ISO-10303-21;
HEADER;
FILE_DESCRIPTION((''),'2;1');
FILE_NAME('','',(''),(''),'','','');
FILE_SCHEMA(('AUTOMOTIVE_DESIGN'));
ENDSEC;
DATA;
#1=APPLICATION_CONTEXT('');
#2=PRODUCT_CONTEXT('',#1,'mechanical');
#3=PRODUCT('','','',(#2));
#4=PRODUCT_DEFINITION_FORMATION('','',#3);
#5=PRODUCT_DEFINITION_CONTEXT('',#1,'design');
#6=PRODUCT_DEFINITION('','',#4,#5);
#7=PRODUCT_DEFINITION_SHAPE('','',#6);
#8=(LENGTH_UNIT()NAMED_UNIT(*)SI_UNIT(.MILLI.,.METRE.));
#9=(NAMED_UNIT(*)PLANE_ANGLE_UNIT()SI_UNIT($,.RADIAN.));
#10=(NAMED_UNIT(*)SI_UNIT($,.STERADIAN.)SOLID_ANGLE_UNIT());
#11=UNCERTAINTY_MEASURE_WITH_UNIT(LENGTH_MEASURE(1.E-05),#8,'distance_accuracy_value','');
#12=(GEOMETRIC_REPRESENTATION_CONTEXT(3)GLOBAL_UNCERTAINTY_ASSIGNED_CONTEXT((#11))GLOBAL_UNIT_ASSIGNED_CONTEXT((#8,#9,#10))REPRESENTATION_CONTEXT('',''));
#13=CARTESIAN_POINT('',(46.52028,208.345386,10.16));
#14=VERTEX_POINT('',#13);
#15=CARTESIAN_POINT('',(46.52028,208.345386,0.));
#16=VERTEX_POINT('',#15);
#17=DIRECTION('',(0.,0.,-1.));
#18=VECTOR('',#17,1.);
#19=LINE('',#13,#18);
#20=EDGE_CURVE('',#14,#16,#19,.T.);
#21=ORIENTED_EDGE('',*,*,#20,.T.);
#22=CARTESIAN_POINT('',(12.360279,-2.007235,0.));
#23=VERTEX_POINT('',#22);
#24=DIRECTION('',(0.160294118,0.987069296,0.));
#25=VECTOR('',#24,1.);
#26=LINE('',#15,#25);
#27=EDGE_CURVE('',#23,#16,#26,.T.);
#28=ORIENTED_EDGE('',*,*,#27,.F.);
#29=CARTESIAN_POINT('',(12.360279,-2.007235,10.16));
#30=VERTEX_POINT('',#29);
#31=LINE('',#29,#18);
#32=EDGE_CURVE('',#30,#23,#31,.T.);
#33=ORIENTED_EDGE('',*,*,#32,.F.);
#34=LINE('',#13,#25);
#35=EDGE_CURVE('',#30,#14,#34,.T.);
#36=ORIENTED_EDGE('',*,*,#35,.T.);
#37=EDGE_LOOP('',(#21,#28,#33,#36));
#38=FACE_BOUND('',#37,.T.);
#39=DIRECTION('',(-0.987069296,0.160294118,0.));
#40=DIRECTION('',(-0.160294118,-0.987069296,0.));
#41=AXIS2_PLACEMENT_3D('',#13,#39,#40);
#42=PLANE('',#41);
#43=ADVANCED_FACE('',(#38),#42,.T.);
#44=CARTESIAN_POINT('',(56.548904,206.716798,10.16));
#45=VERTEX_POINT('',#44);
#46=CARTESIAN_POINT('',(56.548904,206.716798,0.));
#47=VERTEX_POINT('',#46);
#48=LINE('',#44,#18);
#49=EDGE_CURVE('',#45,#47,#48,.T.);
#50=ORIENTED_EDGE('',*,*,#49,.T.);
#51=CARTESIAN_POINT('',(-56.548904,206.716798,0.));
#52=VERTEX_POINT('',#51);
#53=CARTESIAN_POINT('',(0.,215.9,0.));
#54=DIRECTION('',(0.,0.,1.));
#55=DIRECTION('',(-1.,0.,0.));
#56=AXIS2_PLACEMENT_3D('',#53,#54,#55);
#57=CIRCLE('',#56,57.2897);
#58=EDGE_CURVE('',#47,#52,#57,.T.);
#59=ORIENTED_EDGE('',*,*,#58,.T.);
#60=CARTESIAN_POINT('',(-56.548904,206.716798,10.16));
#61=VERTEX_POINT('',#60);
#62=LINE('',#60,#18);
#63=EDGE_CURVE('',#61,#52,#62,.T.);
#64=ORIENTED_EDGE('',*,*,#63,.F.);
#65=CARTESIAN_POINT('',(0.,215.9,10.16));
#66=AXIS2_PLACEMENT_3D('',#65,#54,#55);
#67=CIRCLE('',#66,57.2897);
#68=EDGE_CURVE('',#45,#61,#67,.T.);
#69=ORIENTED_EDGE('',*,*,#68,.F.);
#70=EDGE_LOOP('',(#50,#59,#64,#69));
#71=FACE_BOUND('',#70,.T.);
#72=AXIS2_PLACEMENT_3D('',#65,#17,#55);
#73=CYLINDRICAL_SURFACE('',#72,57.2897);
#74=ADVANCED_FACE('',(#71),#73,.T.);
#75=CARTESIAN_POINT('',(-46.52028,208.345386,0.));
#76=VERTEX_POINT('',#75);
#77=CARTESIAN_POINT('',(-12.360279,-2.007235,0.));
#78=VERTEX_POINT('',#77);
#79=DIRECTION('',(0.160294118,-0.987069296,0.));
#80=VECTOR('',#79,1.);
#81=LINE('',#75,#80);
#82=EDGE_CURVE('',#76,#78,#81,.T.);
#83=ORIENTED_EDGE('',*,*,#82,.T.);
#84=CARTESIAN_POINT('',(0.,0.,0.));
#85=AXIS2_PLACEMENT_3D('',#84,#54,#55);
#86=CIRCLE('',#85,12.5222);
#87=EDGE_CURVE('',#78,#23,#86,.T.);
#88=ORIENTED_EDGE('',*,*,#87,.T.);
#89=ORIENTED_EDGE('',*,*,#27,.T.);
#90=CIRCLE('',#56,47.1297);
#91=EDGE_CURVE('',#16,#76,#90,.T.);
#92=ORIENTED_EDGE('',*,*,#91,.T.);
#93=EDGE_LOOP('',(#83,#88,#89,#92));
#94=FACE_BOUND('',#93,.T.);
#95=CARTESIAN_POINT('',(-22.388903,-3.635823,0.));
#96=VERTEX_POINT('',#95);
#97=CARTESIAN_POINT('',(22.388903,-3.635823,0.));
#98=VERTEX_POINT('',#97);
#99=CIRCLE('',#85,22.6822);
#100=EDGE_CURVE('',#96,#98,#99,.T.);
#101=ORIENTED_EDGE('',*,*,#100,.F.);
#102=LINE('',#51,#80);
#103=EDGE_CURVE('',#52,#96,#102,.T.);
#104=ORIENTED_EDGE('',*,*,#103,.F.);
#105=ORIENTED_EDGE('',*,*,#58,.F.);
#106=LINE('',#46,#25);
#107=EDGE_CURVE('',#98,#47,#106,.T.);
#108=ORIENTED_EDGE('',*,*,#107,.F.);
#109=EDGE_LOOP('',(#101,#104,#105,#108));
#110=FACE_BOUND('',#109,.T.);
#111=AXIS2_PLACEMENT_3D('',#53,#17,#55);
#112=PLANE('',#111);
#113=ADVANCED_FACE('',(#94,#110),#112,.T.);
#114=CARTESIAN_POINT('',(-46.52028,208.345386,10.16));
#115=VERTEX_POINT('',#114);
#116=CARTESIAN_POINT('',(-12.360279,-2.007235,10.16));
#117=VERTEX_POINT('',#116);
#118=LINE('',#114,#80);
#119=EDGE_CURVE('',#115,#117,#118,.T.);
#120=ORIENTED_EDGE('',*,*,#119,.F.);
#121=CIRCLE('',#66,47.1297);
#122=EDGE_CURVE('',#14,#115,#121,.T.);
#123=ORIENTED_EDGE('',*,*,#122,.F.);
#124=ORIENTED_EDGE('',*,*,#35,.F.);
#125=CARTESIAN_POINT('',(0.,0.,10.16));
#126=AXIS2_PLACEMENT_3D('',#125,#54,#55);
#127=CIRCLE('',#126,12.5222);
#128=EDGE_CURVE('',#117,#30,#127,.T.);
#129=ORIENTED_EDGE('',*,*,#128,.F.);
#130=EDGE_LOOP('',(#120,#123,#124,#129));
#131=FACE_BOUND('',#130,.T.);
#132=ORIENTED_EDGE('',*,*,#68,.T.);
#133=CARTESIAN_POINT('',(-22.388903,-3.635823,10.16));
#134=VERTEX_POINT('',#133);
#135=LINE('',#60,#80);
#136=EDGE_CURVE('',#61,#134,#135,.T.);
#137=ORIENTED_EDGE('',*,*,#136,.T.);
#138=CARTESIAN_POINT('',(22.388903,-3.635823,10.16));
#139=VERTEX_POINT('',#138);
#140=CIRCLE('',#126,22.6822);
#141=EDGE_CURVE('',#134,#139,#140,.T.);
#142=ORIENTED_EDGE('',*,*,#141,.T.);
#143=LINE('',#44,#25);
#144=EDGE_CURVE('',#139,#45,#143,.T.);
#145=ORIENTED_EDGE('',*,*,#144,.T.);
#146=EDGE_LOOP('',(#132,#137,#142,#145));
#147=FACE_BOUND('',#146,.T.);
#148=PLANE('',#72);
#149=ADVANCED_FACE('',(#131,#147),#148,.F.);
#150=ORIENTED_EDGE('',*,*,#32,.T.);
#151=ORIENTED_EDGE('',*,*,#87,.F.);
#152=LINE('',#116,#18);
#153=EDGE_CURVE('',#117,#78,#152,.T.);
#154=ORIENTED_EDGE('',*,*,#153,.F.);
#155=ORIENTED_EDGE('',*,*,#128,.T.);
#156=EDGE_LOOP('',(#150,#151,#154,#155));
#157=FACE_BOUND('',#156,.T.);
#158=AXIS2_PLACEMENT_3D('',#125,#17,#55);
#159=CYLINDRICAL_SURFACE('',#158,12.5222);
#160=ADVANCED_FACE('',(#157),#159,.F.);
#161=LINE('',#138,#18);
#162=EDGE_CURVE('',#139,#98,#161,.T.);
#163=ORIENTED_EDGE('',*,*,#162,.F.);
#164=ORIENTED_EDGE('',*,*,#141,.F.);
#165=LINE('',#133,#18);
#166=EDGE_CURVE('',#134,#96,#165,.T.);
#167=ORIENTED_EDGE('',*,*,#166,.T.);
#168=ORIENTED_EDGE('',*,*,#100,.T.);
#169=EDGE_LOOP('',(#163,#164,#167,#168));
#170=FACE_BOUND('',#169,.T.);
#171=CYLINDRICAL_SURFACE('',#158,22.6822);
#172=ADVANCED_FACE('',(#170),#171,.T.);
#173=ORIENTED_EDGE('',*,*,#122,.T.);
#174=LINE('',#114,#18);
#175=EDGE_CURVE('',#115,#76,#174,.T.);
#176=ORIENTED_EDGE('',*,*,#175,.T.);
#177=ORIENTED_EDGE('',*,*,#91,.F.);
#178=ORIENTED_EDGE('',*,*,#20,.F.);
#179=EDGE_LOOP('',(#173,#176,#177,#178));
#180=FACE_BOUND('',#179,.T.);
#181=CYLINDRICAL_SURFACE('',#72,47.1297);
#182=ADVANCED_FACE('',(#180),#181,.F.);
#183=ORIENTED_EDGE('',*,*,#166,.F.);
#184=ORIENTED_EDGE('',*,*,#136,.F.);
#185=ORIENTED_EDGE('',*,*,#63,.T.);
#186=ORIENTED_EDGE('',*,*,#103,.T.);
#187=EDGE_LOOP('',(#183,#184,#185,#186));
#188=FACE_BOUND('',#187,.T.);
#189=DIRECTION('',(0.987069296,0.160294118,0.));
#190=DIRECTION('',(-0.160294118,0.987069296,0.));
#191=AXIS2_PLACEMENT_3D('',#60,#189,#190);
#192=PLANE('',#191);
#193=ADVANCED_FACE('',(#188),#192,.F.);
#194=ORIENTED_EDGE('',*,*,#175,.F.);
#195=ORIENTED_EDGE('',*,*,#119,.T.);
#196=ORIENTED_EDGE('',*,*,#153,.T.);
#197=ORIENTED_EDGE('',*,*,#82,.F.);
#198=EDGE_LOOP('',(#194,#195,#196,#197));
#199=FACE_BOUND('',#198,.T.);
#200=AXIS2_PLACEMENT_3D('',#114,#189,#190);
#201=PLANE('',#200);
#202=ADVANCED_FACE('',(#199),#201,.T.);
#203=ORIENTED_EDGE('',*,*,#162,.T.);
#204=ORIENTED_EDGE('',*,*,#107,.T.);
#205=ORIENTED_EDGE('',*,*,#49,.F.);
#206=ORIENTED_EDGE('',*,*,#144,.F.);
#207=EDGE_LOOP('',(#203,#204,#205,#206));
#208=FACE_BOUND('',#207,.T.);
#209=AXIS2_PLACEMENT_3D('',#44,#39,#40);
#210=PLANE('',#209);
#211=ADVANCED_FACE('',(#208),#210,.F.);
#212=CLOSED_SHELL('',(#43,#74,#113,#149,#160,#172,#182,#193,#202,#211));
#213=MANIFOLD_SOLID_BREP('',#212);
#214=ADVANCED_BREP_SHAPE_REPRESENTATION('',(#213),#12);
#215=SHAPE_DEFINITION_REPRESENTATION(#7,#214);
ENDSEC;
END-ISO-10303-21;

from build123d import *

# Parameters (mm, degrees)
BOSS_EXTRUDE1_DEPTH = 10.16


with BuildPart() as part:
    # Sketch1 → Boss-Extrude1 (new body)
    with BuildSketch(Plane.XY):
        with BuildLine():
            Line((56.548903869, 206.716798088), (22.388903194, -3.635823235))
            ThreePointArc((22.388903194, -3.635823235), (0, -22.6822), (-22.388903194, -3.635823235))
            Line((-22.388903194, -3.635823235), (-56.548903869, 206.716798088))
            ThreePointArc((-56.548903869, 206.716798088), (0, 273.1897), (56.548903869, 206.716798088))
        make_face()
        with BuildLine():
            Line((46.520279817, 208.345386324), (12.360279143, -2.007235))
            ThreePointArc((12.360279143, -2.007235), (0, -12.5222), (-12.360279143, -2.007235))
            Line((-12.360279143, -2.007235), (-46.520279817, 208.345386324))
            ThreePointArc((-46.520279817, 208.345386324), (0, 263.0297), (46.520279817, 208.345386324))
        make_face(mode=Mode.SUBTRACT)
    extrude(amount=BOSS_EXTRUDE1_DEPTH)


solid = part.part
